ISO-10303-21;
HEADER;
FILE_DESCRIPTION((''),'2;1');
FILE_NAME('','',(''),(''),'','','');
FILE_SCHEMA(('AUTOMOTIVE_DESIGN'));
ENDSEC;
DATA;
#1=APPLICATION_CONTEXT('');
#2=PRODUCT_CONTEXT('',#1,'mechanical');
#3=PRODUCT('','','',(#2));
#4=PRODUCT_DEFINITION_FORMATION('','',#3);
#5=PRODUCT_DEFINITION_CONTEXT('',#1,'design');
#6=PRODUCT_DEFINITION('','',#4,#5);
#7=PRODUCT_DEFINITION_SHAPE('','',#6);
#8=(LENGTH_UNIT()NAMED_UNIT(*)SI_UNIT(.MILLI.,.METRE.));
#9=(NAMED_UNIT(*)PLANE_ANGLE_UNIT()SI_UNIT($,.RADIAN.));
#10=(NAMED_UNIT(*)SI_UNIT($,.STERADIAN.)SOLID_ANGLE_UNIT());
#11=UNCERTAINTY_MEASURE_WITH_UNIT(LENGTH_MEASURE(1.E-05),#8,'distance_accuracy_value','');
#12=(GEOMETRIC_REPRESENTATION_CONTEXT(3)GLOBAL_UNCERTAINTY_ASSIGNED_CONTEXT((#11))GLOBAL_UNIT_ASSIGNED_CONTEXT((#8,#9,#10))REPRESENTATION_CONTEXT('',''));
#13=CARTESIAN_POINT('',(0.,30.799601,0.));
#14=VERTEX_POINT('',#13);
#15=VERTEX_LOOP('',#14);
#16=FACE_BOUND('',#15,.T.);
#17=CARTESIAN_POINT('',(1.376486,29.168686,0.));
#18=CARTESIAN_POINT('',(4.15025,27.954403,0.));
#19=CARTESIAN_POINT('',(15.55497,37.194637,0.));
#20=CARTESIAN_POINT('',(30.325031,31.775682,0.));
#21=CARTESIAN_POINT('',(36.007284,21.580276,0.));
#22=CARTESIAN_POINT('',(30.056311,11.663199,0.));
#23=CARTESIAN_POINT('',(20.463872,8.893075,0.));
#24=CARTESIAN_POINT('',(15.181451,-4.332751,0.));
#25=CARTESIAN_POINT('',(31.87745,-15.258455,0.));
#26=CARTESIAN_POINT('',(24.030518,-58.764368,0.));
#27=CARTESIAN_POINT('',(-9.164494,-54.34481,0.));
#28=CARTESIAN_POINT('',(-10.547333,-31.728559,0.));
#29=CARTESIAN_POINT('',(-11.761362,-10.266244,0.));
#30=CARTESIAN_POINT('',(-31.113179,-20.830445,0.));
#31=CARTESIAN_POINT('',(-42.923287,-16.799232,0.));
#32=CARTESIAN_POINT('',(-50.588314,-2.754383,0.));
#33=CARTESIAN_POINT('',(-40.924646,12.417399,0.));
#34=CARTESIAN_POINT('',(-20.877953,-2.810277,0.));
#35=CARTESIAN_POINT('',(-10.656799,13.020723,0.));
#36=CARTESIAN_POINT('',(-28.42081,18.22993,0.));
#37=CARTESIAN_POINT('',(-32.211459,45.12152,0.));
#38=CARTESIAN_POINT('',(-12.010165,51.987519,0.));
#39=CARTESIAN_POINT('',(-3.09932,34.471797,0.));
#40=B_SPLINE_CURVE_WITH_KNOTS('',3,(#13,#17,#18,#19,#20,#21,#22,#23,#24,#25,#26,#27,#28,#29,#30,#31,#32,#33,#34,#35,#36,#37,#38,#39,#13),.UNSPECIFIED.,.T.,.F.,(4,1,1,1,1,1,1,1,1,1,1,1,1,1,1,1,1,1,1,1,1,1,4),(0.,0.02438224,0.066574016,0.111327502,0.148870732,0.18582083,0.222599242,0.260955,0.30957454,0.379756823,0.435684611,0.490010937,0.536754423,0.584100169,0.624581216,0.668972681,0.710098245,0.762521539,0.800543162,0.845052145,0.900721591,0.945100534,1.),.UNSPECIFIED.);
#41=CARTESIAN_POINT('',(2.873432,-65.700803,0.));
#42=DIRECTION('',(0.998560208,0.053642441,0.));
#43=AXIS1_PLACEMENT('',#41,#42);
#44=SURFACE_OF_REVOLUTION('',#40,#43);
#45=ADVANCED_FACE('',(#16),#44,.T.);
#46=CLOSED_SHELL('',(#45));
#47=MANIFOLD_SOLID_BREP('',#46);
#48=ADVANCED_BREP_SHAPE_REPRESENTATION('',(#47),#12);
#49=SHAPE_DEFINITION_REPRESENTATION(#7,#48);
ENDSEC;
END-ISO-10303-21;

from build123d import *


with BuildPart() as f1:
    # F0 (on Top) → F1 (revolve)
    with BuildSketch(Plane.XY):
        with BuildLine():
            add(Edge.make_bspline(
                [(0, 30.799601227), (1.3764863579, 29.16868624), (4.1502500828, 27.954402596), (15.5549696676, 37.1946367391), (30.325030624, 31.7756819531), (36.0072839475, 21.5802756335), (30.0563110124, 11.6631991054), (20.4638723442, 8.8930748496), (15.1814512368, -4.3327506835), (31.8774497285, -15.2584545878), (24.0305177382, -58.764368004), (-9.1644944958, -54.3448095354), (-10.5473327757, -31.7285586233), (-11.7613622134, -10.2662437541), (-31.1131787969, -20.8304447572), (-42.9232872408, -16.7992315557), (-50.5883139493, -2.7543834083), (-40.9246463967, 12.4173994493), (-20.8779528456, -2.8102769072), (-10.6567990156, 13.0207231186), (-28.4208098995, 18.22992986), (-32.2114594329, 45.1215202091), (-12.0101654505, 51.9875188527), (-3.0993200806, 34.4717971338), (0, 30.799601227)],
                knots=[0, 0, 0, 0, 0.0243822398, 0.0665740159, 0.1113275023, 0.1488707325, 0.18582083, 0.2225992423, 0.2609549996, 0.3095745401, 0.3797568226, 0.4356846109, 0.4900109366, 0.5367544231, 0.5841001691, 0.6245812156, 0.6689726811, 0.7100982447, 0.7625215393, 0.8005431619, 0.8450521446, 0.9007215907, 0.9451005344, 1, 1, 1, 1], degree=3))
        make_face()
    revolve(axis=Axis((2.8734318912, -65.7008029521, 0), (0.9985602077, 0.0536424413, 0)))


solid = f1.part
